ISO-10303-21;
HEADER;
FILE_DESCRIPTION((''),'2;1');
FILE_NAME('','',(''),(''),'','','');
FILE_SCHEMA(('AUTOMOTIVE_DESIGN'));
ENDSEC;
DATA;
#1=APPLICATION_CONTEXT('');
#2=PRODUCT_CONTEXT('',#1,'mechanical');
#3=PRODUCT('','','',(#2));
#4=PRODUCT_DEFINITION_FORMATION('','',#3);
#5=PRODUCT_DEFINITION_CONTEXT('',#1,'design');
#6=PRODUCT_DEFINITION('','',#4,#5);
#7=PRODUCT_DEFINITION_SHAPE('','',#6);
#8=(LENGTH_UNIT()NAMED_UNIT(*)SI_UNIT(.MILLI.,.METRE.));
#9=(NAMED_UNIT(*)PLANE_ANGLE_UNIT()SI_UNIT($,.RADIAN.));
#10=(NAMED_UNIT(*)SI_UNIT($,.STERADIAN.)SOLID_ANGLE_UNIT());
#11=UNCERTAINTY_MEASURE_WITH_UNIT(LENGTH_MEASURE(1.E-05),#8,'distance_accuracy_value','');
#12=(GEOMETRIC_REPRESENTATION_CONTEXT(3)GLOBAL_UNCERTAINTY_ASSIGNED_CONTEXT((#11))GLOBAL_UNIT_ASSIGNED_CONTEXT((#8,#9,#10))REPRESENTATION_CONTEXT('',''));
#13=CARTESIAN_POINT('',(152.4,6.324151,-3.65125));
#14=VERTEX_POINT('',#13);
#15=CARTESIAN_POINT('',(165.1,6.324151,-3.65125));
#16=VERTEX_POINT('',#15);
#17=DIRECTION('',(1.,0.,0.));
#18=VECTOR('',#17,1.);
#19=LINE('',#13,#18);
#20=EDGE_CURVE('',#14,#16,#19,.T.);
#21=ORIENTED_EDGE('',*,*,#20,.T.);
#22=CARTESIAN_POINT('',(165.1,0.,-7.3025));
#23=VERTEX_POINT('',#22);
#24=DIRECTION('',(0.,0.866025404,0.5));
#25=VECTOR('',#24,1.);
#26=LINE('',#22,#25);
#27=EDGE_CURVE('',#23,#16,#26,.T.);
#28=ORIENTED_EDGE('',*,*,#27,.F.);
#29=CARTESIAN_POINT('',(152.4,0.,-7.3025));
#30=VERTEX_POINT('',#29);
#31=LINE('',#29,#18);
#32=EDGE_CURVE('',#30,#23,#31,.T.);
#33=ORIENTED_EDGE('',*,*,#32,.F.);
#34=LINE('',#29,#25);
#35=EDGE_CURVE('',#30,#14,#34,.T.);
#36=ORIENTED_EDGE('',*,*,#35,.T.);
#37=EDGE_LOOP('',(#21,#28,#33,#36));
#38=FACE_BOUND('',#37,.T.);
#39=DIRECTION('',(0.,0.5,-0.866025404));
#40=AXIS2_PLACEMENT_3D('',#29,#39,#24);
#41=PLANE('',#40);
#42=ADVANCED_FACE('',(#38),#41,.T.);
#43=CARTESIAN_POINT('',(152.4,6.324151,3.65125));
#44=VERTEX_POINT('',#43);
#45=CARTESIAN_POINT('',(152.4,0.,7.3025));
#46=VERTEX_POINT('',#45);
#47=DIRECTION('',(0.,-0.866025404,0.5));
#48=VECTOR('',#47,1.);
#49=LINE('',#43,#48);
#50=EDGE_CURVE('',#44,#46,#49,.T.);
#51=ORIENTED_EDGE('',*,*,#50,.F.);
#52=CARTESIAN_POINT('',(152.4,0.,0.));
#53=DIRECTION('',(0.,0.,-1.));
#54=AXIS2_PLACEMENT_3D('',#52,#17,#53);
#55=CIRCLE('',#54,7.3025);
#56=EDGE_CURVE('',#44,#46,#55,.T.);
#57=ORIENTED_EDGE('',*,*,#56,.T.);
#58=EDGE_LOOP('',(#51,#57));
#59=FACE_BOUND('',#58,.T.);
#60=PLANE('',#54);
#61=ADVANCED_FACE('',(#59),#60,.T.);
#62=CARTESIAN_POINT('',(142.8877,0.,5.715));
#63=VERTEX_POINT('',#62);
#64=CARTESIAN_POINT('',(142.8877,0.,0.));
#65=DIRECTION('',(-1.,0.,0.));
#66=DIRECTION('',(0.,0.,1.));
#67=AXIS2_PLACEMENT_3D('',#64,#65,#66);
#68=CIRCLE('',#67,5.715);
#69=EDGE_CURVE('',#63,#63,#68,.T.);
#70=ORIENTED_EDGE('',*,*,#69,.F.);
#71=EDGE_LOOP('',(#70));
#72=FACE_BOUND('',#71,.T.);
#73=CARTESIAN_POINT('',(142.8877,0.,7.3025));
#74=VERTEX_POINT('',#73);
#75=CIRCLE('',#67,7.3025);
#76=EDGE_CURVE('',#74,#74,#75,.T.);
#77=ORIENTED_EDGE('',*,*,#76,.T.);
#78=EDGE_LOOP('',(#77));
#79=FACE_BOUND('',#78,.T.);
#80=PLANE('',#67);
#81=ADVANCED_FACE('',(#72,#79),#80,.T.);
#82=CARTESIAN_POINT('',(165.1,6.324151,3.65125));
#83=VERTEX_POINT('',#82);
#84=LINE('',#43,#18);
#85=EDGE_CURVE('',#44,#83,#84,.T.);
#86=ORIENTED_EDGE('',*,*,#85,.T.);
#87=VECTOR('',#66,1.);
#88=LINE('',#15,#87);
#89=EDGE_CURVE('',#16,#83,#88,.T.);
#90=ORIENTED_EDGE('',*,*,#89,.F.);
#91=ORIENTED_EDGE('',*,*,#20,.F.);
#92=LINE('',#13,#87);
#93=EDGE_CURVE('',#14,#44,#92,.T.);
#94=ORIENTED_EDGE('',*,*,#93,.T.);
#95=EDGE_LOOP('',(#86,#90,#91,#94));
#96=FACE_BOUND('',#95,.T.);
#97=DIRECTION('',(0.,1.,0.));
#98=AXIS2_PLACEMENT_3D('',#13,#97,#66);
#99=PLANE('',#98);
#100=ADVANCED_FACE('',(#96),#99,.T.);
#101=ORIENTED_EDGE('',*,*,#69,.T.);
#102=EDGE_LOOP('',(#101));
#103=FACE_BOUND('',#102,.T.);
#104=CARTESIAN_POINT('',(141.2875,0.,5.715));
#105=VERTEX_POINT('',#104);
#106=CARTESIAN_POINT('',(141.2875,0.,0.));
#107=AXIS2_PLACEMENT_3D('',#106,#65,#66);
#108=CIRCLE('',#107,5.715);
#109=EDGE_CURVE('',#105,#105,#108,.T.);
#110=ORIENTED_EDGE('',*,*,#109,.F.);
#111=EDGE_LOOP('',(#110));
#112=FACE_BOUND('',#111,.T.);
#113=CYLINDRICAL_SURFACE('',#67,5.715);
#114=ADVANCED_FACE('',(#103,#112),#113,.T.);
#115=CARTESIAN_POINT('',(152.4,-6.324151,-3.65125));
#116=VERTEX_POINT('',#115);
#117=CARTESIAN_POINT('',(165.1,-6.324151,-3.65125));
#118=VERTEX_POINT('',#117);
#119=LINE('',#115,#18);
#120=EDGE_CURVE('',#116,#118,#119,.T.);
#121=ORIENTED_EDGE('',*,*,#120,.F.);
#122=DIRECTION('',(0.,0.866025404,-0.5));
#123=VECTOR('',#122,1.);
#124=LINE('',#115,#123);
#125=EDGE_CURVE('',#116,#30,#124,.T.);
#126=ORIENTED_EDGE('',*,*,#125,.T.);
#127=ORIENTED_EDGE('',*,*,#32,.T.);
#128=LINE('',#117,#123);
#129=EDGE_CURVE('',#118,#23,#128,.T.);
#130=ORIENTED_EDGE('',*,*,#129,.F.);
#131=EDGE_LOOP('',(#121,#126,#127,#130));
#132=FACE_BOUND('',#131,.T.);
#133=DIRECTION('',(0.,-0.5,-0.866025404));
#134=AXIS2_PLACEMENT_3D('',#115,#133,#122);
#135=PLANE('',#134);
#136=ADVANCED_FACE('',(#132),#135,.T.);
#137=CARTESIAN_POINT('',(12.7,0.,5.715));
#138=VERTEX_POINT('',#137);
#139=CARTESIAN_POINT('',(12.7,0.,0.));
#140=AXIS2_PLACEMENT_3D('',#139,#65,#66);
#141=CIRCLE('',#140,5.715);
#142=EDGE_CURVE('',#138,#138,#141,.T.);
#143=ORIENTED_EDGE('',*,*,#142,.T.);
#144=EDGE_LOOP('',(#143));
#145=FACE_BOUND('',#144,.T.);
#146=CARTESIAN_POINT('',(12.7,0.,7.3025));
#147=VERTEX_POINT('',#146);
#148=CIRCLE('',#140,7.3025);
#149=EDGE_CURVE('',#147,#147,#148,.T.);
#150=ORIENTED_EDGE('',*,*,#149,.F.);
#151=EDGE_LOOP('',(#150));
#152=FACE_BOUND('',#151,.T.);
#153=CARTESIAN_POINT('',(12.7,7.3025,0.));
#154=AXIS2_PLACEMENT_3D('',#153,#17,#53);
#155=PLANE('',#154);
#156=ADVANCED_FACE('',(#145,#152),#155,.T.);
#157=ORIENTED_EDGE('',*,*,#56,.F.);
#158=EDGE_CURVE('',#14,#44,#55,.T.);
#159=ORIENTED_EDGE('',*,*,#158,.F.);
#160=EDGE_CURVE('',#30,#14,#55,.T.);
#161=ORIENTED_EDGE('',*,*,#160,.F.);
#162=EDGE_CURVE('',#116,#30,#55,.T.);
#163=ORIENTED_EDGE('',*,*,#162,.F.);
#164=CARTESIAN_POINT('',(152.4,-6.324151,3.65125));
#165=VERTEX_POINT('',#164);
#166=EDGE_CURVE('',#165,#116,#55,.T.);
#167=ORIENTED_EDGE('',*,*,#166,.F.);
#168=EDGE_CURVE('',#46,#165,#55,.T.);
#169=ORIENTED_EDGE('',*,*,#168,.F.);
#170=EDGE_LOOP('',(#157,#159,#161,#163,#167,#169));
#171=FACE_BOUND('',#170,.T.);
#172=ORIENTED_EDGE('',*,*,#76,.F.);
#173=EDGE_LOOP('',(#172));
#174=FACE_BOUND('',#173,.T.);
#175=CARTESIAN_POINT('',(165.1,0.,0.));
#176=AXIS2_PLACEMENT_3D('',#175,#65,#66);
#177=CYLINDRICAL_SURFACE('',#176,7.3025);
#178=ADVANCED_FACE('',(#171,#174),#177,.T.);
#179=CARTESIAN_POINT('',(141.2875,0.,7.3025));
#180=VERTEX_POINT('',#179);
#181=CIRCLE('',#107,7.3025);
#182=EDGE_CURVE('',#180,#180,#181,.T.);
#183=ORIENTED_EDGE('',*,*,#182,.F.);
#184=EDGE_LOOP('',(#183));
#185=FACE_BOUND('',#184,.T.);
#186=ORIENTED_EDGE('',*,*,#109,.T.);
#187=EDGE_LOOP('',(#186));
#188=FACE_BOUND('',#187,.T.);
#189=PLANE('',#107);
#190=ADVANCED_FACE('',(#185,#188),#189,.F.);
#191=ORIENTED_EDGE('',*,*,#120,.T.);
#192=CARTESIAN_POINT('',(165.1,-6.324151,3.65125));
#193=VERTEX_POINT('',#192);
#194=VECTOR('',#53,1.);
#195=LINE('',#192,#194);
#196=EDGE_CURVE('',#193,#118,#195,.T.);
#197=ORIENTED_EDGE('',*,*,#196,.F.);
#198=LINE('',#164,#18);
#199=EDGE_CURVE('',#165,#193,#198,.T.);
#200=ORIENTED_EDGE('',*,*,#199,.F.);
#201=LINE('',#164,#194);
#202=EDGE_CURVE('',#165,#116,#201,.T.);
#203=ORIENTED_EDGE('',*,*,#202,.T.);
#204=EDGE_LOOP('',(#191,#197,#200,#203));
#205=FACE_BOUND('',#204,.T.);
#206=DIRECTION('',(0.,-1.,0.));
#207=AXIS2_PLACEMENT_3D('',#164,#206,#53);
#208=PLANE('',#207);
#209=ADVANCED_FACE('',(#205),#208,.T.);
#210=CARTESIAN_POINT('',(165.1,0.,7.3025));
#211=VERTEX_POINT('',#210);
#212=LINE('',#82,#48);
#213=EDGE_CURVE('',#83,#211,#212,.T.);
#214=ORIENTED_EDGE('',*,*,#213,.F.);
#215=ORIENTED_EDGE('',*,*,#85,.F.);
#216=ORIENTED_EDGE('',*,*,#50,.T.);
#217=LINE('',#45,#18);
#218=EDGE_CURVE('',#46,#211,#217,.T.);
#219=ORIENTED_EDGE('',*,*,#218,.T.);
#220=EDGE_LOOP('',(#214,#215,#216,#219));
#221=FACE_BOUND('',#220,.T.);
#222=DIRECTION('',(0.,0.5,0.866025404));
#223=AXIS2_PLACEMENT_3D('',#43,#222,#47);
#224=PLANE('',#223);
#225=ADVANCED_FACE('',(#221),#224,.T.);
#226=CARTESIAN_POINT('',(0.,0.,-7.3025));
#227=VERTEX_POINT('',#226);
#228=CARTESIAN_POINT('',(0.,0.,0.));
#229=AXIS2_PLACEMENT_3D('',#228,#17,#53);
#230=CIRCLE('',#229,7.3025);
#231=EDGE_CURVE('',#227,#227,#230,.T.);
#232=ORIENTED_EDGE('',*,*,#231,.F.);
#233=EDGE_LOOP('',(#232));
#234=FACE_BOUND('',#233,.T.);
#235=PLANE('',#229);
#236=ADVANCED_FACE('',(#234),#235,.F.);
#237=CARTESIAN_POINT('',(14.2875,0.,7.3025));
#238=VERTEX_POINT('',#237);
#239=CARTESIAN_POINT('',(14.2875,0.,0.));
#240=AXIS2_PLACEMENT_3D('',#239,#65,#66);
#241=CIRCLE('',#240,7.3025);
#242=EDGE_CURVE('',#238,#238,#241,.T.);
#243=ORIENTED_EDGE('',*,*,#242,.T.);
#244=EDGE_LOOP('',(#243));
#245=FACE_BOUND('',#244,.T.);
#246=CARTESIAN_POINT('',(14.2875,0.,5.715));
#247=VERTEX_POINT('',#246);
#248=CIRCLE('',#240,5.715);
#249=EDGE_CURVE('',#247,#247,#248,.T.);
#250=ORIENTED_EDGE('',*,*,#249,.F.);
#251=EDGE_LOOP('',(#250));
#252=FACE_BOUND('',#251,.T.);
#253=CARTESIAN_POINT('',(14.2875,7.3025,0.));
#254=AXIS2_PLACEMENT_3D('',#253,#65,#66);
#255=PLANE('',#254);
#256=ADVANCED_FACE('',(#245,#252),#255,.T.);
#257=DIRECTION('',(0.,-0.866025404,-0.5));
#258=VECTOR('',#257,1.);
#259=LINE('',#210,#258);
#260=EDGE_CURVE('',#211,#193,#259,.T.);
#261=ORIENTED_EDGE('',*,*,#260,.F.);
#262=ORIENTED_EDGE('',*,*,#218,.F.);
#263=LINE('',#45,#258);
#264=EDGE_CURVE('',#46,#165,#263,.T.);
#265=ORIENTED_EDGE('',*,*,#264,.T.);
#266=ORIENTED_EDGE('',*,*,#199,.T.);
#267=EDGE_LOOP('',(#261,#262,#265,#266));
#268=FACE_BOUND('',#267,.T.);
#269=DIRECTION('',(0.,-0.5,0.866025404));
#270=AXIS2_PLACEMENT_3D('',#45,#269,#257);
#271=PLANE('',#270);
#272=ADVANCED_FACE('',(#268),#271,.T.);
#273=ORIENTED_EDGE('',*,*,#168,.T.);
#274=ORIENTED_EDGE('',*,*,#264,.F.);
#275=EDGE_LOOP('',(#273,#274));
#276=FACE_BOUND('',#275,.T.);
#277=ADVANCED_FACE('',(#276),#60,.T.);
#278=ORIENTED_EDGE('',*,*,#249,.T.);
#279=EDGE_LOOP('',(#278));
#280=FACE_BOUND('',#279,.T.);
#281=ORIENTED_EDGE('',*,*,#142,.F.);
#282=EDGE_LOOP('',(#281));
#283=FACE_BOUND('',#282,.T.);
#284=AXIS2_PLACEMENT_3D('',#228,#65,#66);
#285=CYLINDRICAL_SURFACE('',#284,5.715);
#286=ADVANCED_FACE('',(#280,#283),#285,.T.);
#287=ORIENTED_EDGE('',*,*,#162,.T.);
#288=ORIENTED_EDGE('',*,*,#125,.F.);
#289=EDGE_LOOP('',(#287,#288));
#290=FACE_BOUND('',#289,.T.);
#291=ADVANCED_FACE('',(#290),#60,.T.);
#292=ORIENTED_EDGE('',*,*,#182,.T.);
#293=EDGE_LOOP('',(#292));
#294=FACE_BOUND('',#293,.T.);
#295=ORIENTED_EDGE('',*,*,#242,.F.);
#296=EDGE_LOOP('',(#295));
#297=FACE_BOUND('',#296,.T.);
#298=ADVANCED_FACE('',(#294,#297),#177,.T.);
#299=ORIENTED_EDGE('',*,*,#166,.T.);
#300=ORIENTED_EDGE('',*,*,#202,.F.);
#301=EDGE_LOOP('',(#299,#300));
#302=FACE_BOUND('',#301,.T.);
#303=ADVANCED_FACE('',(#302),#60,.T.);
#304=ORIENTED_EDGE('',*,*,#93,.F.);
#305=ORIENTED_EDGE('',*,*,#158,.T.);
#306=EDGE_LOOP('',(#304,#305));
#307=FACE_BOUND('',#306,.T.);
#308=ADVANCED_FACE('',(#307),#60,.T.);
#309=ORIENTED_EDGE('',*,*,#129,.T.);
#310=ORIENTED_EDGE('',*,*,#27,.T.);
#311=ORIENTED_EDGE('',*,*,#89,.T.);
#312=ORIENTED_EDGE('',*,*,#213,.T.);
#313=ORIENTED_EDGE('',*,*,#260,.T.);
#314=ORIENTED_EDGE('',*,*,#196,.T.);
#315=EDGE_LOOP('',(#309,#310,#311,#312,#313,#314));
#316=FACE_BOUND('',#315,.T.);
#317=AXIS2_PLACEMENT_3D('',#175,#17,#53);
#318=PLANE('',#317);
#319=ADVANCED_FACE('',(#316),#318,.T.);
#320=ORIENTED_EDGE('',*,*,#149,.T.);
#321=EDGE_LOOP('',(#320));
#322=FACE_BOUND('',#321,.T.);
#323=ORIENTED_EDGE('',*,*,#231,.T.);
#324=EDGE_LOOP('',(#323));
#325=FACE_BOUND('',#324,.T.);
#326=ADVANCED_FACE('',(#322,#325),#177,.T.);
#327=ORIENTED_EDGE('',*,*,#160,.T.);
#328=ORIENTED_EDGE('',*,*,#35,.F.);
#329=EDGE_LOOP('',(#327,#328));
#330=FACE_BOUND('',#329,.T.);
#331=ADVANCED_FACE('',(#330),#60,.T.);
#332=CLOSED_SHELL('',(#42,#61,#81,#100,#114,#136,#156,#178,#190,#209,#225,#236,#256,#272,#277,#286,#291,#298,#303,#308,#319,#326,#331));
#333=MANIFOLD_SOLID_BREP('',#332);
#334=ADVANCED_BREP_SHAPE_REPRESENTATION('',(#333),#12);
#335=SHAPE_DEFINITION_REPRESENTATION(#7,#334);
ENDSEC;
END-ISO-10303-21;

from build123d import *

# Parameters (mm, degrees)
SKETCH1_R           = 7.3025
BOSS_EXTRUDE1_DEPTH = 165.1
SKETCH2_W           = 1.5875
SKETCH2_H           = 1.5875
SKETCH4_R           = 7.3025
SKETCH4_R_2         = 5.715
CUT_EXTRUDE1_DEPTH  = 1.6002
SKETCH5_OUTSIDE_W   = 49.882
SKETCH5_OUTSIDE_H   = 49.882
CUT_EXTRUDE2_DEPTH  = 12.7


with BuildPart() as part:
    # Sketch1 → Boss-Extrude1 (new body)
    with BuildSketch(Plane(origin=(0, 0, 0), x_dir=(0, 0, -1), z_dir=(1, 0, 0))):
        Circle(SKETCH1_R)
    extrude(amount=BOSS_EXTRUDE1_DEPTH)

    # Sketch2 → Groove (revolve, cut)
    with BuildSketch(Plane.XY, mode=Mode.PRIVATE) as groove_sk:
        with Locations((13.49375, 6.50875)):
            Rectangle(SKETCH2_W, SKETCH2_H)
    revolve(groove_sk.sketch.rotate(Axis((0, 0, 0), (1, 0, 0)), 90), axis=Axis((0, 0, 0), (1, 0, 0)), mode=Mode.SUBTRACT)

    # Sketch4 → Cut-Extrude1 (cut)
    with BuildSketch(Plane.ZY.offset(-141.2875)):
        Circle(SKETCH4_R)
        Circle(SKETCH4_R_2, mode=Mode.SUBTRACT)
    extrude(amount=-CUT_EXTRUDE1_DEPTH, mode=Mode.SUBTRACT)

    # Sketch5 outside → Cut-Extrude2 (cut)
    with BuildSketch(Plane(origin=(165.1, 0, 0), x_dir=(0, 0, -1), z_dir=(1, 0, 0))):
        Rectangle(SKETCH5_OUTSIDE_W, SKETCH5_OUTSIDE_H)
        Polygon((7.3025, 0), (3.65125, 6.324150511), (-3.65125, 6.324150511), (-7.3025, 0), (-3.65125, -6.324150511), (3.65125, -6.324150511), align=None, mode=Mode.SUBTRACT)
    extrude(amount=-CUT_EXTRUDE2_DEPTH, mode=Mode.SUBTRACT)


solid = part.part
